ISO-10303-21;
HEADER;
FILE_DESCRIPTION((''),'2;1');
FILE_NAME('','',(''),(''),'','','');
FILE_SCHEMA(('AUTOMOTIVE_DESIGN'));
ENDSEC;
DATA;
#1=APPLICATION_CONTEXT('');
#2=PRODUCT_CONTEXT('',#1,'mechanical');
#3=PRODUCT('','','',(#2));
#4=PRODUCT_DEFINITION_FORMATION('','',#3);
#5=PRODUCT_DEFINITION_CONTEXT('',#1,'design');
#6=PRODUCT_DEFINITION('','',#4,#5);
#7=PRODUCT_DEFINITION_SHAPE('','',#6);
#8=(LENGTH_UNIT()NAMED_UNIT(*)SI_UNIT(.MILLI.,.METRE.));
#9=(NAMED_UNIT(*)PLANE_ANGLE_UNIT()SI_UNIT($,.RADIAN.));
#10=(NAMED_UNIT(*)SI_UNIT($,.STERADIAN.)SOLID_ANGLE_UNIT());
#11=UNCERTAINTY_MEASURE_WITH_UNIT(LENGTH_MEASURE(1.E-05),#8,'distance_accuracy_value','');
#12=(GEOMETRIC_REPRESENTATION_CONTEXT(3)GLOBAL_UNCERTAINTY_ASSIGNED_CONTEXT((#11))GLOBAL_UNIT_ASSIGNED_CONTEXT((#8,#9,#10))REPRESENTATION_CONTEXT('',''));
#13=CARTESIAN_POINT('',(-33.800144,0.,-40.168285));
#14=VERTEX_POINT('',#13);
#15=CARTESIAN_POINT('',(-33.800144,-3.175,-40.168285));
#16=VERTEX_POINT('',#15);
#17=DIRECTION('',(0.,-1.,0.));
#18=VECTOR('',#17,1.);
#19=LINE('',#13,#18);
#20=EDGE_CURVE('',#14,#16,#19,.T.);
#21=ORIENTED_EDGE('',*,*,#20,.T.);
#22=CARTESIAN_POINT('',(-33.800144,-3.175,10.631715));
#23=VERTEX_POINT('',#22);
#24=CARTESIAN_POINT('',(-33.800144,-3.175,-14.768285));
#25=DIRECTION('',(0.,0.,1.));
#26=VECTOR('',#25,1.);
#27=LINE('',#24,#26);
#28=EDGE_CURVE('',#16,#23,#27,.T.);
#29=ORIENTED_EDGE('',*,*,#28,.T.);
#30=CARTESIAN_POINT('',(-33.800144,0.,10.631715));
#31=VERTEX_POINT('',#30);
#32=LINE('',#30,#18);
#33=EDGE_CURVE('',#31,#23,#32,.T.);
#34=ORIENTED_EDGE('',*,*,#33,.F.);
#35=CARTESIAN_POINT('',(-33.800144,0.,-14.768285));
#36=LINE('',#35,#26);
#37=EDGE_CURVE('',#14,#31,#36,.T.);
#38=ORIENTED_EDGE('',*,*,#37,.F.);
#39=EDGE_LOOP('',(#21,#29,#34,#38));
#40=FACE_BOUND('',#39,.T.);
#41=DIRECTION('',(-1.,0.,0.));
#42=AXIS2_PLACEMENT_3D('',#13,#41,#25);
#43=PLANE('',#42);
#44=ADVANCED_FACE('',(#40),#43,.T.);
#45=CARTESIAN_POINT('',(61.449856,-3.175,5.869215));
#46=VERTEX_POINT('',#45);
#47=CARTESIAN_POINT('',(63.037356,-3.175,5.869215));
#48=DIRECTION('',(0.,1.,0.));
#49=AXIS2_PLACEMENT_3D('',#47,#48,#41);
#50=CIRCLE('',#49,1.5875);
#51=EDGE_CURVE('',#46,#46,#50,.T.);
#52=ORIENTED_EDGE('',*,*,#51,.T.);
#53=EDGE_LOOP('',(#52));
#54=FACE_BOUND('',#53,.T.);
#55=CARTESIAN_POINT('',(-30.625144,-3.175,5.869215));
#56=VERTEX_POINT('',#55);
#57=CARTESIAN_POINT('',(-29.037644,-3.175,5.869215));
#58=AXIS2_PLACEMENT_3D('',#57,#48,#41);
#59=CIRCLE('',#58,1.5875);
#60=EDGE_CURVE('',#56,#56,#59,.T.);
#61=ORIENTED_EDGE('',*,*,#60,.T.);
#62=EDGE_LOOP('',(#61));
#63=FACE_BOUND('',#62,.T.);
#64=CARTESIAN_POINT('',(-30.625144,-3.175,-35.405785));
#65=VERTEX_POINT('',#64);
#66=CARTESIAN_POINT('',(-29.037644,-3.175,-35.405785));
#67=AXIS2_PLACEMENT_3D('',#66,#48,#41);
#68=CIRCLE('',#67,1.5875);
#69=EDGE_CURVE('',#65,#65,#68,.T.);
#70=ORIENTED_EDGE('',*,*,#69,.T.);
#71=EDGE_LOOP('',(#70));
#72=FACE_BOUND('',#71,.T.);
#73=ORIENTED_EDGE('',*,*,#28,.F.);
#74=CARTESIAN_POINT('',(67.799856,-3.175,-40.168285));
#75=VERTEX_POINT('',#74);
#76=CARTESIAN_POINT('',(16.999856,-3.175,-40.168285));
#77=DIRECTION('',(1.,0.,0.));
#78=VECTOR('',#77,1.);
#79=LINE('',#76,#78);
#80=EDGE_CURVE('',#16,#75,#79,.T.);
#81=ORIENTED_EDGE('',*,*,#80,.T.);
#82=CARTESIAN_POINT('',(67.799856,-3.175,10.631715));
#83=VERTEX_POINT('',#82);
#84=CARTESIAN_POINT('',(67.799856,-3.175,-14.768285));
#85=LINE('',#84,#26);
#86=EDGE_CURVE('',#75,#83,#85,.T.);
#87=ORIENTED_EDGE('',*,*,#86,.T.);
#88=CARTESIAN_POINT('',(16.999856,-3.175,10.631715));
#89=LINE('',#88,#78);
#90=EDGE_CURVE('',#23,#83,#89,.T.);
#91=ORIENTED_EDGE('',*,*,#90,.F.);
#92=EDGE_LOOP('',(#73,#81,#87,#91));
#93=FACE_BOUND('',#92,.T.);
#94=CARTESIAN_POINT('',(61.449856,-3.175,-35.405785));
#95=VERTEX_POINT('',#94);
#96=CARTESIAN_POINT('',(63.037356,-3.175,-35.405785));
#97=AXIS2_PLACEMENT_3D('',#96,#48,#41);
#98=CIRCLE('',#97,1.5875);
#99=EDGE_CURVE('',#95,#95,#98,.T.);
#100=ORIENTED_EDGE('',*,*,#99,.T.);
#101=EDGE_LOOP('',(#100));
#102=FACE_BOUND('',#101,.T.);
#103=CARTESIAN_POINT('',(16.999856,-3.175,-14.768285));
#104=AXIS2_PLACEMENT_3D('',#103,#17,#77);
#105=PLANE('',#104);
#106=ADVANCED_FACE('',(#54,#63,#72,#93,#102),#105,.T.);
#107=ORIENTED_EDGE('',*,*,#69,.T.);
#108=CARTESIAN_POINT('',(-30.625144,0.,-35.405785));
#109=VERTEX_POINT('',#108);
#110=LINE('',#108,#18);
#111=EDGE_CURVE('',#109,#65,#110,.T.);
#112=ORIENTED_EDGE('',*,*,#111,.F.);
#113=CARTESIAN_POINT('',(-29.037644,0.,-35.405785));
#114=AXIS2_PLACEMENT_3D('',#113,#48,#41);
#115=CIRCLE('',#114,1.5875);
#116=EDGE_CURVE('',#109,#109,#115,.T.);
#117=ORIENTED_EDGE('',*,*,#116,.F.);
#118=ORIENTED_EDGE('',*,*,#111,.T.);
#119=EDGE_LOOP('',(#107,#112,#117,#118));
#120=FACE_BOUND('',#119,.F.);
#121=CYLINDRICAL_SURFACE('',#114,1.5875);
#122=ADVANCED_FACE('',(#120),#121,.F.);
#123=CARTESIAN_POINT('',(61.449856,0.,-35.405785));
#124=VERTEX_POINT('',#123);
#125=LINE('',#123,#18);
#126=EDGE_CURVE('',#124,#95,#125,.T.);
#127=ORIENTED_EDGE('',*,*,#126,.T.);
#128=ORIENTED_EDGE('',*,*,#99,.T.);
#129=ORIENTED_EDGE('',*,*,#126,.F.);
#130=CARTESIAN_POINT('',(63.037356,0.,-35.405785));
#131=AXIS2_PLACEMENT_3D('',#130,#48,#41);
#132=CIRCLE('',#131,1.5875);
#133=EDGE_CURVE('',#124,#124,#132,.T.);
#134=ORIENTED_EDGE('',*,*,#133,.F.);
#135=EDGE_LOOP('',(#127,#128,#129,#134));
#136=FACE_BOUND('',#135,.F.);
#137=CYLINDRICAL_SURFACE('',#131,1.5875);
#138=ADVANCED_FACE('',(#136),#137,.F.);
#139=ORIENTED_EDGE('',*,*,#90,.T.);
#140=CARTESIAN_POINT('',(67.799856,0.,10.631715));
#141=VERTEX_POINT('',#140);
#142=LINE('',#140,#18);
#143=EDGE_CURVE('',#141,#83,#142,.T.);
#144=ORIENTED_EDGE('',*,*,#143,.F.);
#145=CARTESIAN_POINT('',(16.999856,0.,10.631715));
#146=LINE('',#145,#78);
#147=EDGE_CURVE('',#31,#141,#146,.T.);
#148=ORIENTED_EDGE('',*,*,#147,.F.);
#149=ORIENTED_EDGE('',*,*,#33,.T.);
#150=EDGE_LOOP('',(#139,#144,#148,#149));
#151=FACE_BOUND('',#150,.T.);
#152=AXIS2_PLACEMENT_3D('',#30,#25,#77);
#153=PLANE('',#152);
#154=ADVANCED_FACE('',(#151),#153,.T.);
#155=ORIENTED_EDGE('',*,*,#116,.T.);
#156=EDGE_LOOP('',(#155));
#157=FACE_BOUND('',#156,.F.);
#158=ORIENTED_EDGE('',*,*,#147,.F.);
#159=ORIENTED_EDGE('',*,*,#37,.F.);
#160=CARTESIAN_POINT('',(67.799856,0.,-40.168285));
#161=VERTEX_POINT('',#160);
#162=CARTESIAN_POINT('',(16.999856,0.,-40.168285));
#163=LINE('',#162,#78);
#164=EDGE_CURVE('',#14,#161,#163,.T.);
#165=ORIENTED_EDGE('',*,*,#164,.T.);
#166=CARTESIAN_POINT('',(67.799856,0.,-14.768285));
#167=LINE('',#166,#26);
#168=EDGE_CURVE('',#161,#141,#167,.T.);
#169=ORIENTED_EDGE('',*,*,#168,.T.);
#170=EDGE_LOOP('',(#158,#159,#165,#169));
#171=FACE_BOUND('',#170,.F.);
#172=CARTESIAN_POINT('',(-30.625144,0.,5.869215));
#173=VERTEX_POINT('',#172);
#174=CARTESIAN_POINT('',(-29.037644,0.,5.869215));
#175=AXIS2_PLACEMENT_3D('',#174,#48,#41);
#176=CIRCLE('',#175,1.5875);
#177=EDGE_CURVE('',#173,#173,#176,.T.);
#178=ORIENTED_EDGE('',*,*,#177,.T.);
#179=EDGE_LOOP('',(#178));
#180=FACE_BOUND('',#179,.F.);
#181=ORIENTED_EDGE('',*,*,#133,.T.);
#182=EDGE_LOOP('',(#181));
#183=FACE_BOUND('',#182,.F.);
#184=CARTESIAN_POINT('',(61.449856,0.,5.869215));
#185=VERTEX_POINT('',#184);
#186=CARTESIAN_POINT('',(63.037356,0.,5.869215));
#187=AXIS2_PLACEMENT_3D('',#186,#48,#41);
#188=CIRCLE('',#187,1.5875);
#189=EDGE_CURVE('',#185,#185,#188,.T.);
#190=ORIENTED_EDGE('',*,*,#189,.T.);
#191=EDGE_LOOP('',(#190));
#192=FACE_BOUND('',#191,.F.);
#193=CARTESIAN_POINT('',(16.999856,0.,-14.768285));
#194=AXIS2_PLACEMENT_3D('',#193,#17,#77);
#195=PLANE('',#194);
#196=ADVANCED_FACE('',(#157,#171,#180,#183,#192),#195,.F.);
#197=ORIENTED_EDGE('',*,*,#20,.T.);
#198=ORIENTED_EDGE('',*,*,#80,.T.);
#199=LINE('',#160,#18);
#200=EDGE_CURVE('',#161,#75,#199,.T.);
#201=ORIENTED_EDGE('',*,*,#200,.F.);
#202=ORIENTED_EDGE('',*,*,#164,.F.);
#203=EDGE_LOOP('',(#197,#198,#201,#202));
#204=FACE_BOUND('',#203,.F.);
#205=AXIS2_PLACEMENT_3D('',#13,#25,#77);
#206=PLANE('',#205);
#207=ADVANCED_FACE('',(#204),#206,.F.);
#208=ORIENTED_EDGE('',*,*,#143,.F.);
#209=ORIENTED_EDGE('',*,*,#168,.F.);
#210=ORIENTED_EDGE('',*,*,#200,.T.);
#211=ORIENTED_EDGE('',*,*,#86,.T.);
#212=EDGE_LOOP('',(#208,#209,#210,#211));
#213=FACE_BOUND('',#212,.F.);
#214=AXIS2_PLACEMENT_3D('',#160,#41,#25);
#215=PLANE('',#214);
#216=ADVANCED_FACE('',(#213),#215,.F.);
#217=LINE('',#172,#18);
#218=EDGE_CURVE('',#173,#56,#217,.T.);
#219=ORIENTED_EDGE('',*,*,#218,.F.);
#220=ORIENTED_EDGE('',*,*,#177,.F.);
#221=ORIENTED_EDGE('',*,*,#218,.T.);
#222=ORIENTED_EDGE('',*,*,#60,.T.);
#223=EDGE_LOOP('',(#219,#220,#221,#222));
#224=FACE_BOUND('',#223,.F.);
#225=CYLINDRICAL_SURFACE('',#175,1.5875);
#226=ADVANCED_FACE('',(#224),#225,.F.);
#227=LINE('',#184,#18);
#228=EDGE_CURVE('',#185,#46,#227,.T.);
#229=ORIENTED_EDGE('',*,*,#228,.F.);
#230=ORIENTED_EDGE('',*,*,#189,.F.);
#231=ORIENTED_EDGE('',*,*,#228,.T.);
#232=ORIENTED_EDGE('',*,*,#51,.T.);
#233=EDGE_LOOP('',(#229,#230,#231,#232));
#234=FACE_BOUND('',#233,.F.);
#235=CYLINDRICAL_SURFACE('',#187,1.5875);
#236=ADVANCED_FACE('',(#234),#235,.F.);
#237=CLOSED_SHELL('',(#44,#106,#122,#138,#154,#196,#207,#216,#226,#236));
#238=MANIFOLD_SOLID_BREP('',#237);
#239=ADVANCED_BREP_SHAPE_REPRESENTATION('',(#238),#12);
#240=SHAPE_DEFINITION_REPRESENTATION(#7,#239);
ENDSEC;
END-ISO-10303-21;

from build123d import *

# Parameters (mm, degrees)
F0_W     = 101.6
F0_H     = 50.8
F1_DEPTH = 3.175
F2_R     = 1.5875
F3_DEPTH = 25.4
F4_R     = 3.175568
F5_DEPTH = 25.4


with BuildPart() as f1:
    # F0 (on Front) → F1 (new body)
    with BuildSketch(Plane.XZ):
        with Locations((16.999856, -14.768285)):
            Rectangle(F0_W, F0_H)
    extrude(amount=F1_DEPTH)

    # F2 (on face) → F3 (cut)
    with BuildSketch(Plane(origin=(0, 0, 0), x_dir=(-1, 0, 0), z_dir=(0, 1, 0))):
        with Locations((-63.037356, 5.869215)):
            Circle(F2_R)
        with Locations((-63.037356, -35.405785)):
            Circle(F2_R)
        with Locations((29.037644, 5.869215)):
            Circle(F2_R)
        with Locations((29.037644, -35.405785)):
            Circle(F2_R)
    extrude(amount=-F3_DEPTH, mode=Mode.SUBTRACT)

    # F4 (on face) → F5 (cut)
    with BuildSketch(Plane.XZ.offset(3.175)):
        with Locations((25.4, -20.161087)):
            Circle(F4_R)
    extrude(amount=F5_DEPTH, mode=Mode.SUBTRACT)


solid = f1.part
